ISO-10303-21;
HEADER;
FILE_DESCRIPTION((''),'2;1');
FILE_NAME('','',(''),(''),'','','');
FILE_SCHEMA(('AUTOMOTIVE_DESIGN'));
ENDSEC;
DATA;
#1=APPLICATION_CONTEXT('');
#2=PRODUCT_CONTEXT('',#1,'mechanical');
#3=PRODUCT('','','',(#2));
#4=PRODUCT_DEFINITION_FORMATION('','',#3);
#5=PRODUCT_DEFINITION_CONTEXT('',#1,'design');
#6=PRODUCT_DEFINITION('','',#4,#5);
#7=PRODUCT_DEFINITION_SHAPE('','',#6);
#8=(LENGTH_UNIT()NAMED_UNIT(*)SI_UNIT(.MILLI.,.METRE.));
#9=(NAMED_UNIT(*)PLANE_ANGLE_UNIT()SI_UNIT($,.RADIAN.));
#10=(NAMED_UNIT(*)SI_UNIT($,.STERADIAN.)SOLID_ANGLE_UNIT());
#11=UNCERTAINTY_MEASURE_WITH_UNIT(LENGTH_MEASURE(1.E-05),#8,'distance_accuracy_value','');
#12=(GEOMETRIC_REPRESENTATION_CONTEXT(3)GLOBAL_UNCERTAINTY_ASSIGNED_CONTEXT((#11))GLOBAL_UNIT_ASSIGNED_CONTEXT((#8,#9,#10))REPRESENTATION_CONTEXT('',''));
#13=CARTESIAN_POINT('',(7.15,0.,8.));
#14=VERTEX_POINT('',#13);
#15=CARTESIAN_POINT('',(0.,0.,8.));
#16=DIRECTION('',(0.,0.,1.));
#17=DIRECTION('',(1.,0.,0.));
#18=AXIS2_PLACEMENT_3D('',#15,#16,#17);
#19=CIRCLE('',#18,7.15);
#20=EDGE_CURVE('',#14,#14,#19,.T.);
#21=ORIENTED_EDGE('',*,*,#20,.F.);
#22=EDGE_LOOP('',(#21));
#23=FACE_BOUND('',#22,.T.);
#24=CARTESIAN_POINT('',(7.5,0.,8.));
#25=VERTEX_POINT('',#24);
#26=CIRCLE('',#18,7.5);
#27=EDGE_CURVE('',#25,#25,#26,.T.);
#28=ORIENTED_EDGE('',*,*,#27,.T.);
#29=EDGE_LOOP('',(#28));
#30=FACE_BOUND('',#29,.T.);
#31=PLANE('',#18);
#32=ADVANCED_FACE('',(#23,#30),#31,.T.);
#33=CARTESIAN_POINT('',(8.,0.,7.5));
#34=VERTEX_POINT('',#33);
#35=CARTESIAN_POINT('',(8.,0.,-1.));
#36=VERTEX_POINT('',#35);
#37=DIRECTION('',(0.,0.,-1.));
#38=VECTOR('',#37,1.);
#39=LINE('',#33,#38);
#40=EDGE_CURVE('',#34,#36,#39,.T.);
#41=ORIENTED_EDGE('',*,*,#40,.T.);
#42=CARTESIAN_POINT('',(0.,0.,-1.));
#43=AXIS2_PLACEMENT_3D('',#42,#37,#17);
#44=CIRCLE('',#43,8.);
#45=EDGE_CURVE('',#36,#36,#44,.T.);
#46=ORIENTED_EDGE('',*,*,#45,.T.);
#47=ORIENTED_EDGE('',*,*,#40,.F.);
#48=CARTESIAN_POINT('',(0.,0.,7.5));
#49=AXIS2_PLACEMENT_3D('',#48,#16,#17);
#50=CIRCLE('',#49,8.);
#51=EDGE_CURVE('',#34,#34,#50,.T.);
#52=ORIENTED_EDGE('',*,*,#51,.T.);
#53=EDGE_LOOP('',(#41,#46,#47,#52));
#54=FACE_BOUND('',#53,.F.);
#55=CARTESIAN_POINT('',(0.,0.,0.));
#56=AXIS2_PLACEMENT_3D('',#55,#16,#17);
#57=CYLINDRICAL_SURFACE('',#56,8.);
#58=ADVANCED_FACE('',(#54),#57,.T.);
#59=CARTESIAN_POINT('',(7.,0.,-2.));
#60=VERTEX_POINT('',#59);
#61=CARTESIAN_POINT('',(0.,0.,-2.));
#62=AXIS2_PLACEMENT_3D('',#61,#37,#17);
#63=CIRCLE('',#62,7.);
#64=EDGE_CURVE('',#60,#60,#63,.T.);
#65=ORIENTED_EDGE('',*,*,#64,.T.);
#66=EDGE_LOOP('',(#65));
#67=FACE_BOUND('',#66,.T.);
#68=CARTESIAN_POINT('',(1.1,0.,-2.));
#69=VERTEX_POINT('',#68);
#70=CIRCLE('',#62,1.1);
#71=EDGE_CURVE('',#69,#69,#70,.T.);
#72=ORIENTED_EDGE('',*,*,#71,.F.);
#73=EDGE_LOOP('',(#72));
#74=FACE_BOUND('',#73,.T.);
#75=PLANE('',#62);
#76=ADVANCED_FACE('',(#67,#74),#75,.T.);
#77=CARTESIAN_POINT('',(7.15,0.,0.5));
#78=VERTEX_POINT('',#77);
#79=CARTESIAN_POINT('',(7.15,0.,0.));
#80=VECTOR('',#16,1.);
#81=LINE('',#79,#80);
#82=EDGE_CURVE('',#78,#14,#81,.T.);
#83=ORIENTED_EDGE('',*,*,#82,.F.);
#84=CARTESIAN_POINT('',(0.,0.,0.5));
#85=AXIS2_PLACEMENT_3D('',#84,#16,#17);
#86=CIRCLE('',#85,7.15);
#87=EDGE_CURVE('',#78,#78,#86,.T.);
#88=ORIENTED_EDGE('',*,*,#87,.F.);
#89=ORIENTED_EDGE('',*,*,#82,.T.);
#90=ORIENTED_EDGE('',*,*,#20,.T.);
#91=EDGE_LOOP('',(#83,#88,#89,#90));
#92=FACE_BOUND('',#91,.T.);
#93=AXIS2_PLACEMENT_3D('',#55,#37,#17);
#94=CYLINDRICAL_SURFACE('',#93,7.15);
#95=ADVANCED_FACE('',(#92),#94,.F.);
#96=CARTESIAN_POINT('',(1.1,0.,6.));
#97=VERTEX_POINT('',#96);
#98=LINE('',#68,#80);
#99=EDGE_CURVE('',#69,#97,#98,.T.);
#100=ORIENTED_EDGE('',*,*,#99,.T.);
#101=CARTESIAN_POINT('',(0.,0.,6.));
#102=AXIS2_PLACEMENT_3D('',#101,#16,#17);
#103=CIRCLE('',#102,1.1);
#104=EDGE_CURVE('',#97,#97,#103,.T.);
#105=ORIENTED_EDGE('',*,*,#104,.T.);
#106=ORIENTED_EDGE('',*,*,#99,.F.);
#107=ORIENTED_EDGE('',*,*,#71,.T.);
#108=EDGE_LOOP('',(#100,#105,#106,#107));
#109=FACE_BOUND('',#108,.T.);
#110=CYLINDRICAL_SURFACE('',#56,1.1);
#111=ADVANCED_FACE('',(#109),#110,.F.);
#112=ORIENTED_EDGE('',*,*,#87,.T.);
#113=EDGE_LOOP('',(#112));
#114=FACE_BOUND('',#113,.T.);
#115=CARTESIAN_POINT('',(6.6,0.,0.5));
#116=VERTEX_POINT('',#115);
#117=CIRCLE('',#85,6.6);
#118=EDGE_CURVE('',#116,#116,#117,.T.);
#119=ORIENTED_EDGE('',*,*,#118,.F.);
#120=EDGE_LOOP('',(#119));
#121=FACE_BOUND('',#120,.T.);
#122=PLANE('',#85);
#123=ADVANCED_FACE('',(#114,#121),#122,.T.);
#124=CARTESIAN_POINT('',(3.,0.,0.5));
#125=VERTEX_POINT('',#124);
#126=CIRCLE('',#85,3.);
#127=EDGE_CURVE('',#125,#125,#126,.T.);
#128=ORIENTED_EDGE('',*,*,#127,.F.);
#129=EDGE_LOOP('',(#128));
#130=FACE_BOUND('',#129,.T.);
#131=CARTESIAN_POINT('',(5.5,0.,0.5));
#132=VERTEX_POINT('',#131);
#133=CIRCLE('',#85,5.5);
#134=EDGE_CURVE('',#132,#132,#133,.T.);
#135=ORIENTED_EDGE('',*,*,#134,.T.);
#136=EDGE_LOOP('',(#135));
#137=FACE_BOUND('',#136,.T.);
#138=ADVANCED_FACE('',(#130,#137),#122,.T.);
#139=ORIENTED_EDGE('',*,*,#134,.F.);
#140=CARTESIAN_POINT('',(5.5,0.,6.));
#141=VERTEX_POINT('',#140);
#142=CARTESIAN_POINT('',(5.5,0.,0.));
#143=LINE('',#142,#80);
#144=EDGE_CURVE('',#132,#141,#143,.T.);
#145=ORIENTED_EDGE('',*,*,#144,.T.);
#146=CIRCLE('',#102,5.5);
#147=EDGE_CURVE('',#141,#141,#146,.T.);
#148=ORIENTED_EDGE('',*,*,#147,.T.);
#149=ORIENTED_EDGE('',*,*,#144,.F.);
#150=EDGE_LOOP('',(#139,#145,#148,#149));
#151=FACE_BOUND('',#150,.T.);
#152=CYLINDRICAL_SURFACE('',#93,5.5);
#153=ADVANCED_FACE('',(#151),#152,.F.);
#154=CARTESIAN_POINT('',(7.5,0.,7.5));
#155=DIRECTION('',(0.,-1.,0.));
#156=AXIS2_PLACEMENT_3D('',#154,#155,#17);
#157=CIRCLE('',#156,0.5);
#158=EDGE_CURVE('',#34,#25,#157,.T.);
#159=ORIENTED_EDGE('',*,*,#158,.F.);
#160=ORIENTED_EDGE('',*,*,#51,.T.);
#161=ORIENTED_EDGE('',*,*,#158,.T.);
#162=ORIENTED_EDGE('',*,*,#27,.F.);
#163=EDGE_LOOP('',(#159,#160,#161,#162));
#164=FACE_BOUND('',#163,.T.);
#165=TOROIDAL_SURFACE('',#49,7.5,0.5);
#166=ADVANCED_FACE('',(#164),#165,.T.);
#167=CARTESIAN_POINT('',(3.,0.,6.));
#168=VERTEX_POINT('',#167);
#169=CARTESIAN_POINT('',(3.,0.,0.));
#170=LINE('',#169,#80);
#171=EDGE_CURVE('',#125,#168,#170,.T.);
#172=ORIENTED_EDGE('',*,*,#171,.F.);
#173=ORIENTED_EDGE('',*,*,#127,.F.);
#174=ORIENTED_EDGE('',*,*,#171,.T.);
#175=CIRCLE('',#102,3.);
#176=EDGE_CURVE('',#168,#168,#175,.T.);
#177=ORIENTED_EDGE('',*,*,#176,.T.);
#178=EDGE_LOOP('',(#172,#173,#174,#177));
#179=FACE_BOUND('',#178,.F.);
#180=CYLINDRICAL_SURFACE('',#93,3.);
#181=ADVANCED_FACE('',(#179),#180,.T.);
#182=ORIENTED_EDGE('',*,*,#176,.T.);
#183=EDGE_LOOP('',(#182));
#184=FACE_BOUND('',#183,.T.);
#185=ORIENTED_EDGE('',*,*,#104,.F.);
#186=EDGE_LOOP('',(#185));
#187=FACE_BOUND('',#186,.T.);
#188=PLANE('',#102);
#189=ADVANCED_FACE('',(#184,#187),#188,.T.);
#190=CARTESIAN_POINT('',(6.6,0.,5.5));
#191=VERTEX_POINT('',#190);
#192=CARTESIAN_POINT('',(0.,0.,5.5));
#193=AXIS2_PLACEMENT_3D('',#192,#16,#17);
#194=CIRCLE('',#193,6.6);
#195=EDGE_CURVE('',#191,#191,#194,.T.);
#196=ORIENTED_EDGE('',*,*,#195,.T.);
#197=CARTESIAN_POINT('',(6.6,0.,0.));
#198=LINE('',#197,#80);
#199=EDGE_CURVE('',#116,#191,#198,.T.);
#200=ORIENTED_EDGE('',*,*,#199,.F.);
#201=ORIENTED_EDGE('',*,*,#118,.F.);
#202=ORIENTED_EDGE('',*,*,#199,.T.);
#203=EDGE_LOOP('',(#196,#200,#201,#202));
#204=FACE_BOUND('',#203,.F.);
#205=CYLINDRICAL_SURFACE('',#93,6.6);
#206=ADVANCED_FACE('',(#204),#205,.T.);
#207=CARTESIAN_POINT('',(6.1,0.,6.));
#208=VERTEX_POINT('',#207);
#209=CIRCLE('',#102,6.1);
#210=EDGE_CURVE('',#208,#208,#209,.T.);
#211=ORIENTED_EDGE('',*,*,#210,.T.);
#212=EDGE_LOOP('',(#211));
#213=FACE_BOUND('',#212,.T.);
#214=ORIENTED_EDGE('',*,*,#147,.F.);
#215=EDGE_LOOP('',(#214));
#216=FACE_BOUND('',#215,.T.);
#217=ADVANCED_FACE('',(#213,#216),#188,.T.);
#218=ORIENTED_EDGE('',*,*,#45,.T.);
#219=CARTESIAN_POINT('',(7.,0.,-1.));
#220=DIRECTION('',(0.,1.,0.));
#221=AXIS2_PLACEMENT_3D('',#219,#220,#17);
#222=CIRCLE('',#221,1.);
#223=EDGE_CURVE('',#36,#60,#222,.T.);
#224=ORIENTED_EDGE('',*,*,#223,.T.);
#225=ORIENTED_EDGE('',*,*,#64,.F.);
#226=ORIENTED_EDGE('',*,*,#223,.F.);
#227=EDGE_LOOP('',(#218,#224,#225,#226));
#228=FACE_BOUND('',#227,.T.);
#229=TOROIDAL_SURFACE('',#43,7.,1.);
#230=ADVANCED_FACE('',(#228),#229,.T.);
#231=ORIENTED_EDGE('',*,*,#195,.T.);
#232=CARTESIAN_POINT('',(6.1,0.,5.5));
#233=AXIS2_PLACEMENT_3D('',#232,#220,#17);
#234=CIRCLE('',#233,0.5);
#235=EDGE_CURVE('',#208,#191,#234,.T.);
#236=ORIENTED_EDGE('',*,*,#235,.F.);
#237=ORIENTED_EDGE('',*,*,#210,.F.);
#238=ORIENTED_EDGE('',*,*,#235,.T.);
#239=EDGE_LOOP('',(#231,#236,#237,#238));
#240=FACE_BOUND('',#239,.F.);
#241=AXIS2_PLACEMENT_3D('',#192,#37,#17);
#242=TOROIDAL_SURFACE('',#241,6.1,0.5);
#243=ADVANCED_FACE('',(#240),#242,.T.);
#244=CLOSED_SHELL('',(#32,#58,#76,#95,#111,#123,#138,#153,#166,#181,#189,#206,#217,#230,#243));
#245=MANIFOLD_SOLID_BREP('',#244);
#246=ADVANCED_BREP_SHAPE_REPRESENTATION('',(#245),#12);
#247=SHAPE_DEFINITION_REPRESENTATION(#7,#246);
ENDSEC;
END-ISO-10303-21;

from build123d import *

# Parameters (mm, degrees)
F0_R        = 6.6
F0_R_2      = 5.5
F1_DEPTH    = 6
F0_R_3      = 7.15
F0_R_4      = 3
F2_DEPTH    = 0.5
F0_R_5      = 8
F3_DEPTH    = 8
F0_R_6      = 1.1
F4_DEPTH    = 6
F5_R        = 0.5
F4_FACE_R   = 8
F4_FACE_R_2 = 1.1
F6_DEPTH    = 2
F7_R        = 1


with BuildPart() as f1:
    # F0 (on Top) → F1 (new body)
    with BuildSketch(Plane.XY):
        Circle(F0_R)
        Circle(F0_R_2, mode=Mode.SUBTRACT)
    extrude(amount=F1_DEPTH)

    # F0 (on Top) → F2 (join)
    with BuildSketch(Plane.XY):
        Circle(F0_R_3)
        Circle(F0_R, mode=Mode.SUBTRACT)
        Circle(F0_R_2)
        Circle(F0_R_4, mode=Mode.SUBTRACT)
    extrude(amount=F2_DEPTH)

    # F0 (on Top) → F3 (join)
    with BuildSketch(Plane.XY):
        Circle(F0_R_5)
        Circle(F0_R_3, mode=Mode.SUBTRACT)
    extrude(amount=F3_DEPTH)

    # F0 (on Top) → F4 (join)
    with BuildSketch(Plane.XY):
        Circle(F0_R_4)
        Circle(F0_R_6, mode=Mode.SUBTRACT)
    extrude(amount=F4_DEPTH)

    # F5
    f5_edges = [f1.edges().sort_by_distance(p)[0] for p in [
        (-6.6, 0, 6),
        (-8, 0, 8),
    ]]
    fillet(f5_edges, radius=F5_R)

    # F4_face (on face) → F6 (join)
    with BuildSketch(Plane(origin=(0, 0, 0), x_dir=(1, 0, 0), z_dir=(0, 0, -1))):
        Circle(F4_FACE_R)
        Circle(F4_FACE_R_2, mode=Mode.SUBTRACT)
    extrude(amount=F6_DEPTH)

    # F7
    f7_edges = [f1.edges().sort_by_distance(p)[0] for p in [
        (-8, 0, -2),
    ]]
    fillet(f7_edges, radius=F7_R)


solid = f1.part
